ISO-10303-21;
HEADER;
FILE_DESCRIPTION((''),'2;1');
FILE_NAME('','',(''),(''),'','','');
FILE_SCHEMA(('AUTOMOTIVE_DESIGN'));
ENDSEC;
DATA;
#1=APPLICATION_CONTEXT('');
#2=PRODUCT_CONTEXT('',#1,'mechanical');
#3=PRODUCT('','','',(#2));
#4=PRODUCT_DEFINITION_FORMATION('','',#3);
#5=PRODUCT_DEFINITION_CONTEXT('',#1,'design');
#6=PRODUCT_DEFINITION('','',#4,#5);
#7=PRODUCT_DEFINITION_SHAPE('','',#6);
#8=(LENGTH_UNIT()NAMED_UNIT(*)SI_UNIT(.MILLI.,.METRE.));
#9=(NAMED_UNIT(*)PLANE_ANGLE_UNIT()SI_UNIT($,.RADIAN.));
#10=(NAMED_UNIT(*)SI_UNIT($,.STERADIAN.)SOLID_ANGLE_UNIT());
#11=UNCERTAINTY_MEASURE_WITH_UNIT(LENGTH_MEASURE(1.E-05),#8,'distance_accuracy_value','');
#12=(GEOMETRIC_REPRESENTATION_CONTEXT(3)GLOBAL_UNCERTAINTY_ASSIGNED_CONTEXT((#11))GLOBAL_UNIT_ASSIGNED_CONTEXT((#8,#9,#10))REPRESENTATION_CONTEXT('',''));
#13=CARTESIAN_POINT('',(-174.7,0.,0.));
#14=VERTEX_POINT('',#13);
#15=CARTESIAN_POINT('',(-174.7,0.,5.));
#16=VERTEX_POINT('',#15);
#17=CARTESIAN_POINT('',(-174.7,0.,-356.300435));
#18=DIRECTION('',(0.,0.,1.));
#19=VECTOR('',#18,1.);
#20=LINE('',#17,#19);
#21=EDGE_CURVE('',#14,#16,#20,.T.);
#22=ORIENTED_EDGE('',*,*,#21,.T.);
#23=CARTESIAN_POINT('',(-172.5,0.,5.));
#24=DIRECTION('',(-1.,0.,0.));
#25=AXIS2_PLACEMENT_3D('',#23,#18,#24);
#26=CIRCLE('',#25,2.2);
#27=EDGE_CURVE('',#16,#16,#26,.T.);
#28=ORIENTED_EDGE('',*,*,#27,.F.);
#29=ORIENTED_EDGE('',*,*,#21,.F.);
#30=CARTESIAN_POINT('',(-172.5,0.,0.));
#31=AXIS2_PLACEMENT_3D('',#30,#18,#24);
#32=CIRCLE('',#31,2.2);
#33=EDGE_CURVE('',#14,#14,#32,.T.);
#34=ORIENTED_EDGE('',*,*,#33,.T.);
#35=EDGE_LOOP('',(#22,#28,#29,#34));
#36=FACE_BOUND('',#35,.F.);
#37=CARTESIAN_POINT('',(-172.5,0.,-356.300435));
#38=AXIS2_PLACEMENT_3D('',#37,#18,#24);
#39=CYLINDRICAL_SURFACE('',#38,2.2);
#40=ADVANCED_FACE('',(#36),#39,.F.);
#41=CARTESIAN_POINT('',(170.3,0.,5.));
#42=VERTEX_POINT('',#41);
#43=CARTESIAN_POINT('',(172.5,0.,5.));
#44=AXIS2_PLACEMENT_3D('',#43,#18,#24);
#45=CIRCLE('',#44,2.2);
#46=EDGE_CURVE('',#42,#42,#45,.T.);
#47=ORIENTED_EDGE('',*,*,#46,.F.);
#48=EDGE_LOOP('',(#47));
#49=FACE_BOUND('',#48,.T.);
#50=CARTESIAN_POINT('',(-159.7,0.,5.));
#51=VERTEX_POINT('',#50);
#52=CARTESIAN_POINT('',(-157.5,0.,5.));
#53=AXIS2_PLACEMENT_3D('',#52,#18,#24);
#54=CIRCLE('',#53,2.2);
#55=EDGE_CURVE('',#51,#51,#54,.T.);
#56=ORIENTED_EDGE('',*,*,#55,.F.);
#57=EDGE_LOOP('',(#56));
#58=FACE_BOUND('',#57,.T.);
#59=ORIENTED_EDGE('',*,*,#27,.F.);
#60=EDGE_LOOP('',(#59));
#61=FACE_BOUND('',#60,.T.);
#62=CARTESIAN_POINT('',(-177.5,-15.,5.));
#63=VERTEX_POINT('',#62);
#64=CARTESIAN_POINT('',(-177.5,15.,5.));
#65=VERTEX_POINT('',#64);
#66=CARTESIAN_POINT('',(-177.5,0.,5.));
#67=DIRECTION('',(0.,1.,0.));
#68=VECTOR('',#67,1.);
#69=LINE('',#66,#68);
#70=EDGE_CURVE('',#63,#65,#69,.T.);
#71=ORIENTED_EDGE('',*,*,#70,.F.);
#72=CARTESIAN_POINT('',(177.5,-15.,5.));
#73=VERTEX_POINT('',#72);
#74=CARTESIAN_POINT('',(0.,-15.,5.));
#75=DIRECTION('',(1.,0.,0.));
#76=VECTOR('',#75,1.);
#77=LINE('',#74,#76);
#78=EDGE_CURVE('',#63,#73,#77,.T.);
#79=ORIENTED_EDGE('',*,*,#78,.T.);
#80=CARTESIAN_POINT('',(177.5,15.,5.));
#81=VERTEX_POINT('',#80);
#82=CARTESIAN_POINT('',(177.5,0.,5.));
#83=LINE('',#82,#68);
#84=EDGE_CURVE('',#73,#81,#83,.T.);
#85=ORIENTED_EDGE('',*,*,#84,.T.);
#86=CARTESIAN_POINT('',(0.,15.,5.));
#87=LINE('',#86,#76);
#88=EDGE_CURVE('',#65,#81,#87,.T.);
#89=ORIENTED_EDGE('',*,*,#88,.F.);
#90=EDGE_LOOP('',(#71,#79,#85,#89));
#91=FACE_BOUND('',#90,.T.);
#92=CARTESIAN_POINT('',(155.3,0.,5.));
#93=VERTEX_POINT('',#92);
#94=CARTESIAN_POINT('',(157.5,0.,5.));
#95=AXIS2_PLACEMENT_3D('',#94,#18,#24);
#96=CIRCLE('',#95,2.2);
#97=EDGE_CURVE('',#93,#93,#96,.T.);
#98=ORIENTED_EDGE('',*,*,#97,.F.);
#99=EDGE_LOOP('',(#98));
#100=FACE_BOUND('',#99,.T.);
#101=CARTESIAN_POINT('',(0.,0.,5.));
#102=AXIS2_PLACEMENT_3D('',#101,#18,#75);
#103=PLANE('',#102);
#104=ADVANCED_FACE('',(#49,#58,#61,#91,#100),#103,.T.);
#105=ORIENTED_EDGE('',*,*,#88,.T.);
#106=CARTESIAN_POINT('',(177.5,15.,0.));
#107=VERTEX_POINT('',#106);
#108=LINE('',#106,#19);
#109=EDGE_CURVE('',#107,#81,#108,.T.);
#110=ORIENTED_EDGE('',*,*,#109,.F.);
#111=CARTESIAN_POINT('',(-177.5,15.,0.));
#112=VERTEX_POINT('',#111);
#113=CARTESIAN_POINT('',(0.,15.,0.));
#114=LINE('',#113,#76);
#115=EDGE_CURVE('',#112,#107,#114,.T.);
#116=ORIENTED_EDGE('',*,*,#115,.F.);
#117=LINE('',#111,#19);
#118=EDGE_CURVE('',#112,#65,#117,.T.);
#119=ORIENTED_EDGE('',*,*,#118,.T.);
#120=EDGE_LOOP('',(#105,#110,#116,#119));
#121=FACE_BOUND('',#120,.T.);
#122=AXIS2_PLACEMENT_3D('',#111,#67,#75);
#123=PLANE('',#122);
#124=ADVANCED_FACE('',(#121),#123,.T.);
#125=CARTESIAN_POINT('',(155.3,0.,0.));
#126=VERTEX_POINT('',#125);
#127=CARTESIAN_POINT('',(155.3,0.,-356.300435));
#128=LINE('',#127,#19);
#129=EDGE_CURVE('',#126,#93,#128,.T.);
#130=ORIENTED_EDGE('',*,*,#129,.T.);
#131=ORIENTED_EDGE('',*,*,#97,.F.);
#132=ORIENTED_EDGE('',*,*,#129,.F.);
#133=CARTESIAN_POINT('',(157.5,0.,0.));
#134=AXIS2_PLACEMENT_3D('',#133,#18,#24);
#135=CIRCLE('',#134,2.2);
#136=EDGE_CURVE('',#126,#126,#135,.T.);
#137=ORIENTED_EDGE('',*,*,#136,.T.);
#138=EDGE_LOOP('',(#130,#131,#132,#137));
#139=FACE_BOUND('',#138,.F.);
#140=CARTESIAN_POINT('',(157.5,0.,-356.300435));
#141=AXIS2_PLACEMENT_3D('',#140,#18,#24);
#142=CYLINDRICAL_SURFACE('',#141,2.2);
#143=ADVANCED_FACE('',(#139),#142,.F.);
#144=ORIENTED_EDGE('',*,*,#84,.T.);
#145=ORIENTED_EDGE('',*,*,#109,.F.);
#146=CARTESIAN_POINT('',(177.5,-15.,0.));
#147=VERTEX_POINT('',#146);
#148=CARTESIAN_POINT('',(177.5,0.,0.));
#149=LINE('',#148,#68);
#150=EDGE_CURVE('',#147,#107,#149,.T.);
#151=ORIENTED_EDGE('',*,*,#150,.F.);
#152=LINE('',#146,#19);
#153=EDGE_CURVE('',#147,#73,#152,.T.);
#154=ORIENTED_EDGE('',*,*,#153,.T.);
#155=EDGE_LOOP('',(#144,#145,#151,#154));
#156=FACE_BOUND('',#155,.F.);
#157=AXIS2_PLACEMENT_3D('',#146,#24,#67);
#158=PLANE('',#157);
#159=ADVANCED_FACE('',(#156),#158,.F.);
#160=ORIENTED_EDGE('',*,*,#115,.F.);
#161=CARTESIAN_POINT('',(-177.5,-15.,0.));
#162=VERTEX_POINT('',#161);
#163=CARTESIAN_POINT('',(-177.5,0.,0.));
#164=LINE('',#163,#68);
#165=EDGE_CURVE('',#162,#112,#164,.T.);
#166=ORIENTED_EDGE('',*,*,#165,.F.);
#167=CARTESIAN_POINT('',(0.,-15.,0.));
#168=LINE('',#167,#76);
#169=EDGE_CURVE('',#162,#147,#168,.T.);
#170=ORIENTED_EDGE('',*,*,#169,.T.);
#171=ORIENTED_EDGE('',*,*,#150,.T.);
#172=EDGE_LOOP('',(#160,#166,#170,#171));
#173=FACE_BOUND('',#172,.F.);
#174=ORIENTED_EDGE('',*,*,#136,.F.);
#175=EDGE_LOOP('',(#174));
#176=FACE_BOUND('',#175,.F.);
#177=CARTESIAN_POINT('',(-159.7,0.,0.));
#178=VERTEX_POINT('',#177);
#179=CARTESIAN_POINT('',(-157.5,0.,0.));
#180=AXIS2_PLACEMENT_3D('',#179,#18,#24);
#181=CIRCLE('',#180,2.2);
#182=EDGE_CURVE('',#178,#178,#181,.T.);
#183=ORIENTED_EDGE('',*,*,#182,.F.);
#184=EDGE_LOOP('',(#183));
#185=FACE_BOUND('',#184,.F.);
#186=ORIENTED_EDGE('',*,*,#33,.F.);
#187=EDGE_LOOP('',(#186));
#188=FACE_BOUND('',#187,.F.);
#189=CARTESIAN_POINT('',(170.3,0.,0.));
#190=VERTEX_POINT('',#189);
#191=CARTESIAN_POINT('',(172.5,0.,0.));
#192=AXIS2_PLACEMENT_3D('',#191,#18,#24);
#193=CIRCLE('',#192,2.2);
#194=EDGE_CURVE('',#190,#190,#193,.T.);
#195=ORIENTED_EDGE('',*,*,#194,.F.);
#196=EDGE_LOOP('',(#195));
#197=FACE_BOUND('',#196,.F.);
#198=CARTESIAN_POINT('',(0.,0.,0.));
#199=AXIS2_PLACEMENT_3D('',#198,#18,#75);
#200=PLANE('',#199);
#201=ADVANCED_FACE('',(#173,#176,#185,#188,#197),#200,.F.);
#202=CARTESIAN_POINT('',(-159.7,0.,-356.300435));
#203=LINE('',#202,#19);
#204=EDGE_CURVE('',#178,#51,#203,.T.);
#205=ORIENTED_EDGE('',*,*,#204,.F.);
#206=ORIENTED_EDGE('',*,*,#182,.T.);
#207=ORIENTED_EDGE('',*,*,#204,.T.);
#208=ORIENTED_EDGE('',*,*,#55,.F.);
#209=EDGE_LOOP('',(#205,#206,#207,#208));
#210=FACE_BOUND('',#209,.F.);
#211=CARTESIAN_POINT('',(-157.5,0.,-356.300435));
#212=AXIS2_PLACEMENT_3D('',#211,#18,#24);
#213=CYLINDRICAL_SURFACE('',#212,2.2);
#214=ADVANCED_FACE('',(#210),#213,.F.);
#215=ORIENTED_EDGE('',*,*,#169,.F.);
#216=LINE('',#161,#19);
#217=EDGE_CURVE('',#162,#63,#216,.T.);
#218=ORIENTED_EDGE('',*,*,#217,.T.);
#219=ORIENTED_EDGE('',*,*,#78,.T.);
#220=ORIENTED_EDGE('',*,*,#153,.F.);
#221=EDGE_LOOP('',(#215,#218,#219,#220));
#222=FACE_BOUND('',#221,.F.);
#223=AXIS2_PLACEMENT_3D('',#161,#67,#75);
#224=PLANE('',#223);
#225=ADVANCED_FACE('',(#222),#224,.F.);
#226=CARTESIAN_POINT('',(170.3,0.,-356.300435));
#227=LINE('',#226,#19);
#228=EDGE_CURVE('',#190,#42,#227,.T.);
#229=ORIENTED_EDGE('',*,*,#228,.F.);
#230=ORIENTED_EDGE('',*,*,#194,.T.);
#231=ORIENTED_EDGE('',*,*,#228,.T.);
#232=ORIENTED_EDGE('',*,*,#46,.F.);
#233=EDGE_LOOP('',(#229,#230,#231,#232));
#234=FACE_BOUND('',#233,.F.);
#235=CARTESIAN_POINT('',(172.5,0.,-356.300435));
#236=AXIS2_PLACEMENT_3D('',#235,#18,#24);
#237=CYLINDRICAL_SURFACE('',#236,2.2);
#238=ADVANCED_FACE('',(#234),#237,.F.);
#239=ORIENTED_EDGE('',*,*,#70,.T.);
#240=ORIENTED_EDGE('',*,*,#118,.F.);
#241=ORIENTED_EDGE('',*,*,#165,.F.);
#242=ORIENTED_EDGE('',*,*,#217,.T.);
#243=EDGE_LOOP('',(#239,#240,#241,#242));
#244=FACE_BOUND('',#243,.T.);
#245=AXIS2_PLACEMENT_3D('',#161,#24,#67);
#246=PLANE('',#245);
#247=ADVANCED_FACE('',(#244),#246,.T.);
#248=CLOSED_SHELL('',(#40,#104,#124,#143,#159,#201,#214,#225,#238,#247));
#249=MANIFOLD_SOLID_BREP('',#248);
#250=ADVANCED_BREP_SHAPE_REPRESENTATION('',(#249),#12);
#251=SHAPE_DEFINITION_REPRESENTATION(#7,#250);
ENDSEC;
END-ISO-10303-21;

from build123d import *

# Parameters (mm, degrees)
F0_W     = 355
F0_H     = 30
F1_DEPTH = 5
F2_D     = 4.4


with BuildPart() as f1:
    # F0 (on Top) → F1 (new body)
    with BuildSketch(Plane.XY):
        Rectangle(F0_W, F0_H)
    extrude(amount=F1_DEPTH)

    # F2 (through all)
    with Locations(Plane(origin=(0, 0, 0), x_dir=(1, 0, 0), z_dir=(0, 0, -1))):
        with Locations((157.5, 0), (172.5, 0), (-157.5, 0), (-172.5, 0)):
            Hole(F2_D / 2)


solid = f1.part
